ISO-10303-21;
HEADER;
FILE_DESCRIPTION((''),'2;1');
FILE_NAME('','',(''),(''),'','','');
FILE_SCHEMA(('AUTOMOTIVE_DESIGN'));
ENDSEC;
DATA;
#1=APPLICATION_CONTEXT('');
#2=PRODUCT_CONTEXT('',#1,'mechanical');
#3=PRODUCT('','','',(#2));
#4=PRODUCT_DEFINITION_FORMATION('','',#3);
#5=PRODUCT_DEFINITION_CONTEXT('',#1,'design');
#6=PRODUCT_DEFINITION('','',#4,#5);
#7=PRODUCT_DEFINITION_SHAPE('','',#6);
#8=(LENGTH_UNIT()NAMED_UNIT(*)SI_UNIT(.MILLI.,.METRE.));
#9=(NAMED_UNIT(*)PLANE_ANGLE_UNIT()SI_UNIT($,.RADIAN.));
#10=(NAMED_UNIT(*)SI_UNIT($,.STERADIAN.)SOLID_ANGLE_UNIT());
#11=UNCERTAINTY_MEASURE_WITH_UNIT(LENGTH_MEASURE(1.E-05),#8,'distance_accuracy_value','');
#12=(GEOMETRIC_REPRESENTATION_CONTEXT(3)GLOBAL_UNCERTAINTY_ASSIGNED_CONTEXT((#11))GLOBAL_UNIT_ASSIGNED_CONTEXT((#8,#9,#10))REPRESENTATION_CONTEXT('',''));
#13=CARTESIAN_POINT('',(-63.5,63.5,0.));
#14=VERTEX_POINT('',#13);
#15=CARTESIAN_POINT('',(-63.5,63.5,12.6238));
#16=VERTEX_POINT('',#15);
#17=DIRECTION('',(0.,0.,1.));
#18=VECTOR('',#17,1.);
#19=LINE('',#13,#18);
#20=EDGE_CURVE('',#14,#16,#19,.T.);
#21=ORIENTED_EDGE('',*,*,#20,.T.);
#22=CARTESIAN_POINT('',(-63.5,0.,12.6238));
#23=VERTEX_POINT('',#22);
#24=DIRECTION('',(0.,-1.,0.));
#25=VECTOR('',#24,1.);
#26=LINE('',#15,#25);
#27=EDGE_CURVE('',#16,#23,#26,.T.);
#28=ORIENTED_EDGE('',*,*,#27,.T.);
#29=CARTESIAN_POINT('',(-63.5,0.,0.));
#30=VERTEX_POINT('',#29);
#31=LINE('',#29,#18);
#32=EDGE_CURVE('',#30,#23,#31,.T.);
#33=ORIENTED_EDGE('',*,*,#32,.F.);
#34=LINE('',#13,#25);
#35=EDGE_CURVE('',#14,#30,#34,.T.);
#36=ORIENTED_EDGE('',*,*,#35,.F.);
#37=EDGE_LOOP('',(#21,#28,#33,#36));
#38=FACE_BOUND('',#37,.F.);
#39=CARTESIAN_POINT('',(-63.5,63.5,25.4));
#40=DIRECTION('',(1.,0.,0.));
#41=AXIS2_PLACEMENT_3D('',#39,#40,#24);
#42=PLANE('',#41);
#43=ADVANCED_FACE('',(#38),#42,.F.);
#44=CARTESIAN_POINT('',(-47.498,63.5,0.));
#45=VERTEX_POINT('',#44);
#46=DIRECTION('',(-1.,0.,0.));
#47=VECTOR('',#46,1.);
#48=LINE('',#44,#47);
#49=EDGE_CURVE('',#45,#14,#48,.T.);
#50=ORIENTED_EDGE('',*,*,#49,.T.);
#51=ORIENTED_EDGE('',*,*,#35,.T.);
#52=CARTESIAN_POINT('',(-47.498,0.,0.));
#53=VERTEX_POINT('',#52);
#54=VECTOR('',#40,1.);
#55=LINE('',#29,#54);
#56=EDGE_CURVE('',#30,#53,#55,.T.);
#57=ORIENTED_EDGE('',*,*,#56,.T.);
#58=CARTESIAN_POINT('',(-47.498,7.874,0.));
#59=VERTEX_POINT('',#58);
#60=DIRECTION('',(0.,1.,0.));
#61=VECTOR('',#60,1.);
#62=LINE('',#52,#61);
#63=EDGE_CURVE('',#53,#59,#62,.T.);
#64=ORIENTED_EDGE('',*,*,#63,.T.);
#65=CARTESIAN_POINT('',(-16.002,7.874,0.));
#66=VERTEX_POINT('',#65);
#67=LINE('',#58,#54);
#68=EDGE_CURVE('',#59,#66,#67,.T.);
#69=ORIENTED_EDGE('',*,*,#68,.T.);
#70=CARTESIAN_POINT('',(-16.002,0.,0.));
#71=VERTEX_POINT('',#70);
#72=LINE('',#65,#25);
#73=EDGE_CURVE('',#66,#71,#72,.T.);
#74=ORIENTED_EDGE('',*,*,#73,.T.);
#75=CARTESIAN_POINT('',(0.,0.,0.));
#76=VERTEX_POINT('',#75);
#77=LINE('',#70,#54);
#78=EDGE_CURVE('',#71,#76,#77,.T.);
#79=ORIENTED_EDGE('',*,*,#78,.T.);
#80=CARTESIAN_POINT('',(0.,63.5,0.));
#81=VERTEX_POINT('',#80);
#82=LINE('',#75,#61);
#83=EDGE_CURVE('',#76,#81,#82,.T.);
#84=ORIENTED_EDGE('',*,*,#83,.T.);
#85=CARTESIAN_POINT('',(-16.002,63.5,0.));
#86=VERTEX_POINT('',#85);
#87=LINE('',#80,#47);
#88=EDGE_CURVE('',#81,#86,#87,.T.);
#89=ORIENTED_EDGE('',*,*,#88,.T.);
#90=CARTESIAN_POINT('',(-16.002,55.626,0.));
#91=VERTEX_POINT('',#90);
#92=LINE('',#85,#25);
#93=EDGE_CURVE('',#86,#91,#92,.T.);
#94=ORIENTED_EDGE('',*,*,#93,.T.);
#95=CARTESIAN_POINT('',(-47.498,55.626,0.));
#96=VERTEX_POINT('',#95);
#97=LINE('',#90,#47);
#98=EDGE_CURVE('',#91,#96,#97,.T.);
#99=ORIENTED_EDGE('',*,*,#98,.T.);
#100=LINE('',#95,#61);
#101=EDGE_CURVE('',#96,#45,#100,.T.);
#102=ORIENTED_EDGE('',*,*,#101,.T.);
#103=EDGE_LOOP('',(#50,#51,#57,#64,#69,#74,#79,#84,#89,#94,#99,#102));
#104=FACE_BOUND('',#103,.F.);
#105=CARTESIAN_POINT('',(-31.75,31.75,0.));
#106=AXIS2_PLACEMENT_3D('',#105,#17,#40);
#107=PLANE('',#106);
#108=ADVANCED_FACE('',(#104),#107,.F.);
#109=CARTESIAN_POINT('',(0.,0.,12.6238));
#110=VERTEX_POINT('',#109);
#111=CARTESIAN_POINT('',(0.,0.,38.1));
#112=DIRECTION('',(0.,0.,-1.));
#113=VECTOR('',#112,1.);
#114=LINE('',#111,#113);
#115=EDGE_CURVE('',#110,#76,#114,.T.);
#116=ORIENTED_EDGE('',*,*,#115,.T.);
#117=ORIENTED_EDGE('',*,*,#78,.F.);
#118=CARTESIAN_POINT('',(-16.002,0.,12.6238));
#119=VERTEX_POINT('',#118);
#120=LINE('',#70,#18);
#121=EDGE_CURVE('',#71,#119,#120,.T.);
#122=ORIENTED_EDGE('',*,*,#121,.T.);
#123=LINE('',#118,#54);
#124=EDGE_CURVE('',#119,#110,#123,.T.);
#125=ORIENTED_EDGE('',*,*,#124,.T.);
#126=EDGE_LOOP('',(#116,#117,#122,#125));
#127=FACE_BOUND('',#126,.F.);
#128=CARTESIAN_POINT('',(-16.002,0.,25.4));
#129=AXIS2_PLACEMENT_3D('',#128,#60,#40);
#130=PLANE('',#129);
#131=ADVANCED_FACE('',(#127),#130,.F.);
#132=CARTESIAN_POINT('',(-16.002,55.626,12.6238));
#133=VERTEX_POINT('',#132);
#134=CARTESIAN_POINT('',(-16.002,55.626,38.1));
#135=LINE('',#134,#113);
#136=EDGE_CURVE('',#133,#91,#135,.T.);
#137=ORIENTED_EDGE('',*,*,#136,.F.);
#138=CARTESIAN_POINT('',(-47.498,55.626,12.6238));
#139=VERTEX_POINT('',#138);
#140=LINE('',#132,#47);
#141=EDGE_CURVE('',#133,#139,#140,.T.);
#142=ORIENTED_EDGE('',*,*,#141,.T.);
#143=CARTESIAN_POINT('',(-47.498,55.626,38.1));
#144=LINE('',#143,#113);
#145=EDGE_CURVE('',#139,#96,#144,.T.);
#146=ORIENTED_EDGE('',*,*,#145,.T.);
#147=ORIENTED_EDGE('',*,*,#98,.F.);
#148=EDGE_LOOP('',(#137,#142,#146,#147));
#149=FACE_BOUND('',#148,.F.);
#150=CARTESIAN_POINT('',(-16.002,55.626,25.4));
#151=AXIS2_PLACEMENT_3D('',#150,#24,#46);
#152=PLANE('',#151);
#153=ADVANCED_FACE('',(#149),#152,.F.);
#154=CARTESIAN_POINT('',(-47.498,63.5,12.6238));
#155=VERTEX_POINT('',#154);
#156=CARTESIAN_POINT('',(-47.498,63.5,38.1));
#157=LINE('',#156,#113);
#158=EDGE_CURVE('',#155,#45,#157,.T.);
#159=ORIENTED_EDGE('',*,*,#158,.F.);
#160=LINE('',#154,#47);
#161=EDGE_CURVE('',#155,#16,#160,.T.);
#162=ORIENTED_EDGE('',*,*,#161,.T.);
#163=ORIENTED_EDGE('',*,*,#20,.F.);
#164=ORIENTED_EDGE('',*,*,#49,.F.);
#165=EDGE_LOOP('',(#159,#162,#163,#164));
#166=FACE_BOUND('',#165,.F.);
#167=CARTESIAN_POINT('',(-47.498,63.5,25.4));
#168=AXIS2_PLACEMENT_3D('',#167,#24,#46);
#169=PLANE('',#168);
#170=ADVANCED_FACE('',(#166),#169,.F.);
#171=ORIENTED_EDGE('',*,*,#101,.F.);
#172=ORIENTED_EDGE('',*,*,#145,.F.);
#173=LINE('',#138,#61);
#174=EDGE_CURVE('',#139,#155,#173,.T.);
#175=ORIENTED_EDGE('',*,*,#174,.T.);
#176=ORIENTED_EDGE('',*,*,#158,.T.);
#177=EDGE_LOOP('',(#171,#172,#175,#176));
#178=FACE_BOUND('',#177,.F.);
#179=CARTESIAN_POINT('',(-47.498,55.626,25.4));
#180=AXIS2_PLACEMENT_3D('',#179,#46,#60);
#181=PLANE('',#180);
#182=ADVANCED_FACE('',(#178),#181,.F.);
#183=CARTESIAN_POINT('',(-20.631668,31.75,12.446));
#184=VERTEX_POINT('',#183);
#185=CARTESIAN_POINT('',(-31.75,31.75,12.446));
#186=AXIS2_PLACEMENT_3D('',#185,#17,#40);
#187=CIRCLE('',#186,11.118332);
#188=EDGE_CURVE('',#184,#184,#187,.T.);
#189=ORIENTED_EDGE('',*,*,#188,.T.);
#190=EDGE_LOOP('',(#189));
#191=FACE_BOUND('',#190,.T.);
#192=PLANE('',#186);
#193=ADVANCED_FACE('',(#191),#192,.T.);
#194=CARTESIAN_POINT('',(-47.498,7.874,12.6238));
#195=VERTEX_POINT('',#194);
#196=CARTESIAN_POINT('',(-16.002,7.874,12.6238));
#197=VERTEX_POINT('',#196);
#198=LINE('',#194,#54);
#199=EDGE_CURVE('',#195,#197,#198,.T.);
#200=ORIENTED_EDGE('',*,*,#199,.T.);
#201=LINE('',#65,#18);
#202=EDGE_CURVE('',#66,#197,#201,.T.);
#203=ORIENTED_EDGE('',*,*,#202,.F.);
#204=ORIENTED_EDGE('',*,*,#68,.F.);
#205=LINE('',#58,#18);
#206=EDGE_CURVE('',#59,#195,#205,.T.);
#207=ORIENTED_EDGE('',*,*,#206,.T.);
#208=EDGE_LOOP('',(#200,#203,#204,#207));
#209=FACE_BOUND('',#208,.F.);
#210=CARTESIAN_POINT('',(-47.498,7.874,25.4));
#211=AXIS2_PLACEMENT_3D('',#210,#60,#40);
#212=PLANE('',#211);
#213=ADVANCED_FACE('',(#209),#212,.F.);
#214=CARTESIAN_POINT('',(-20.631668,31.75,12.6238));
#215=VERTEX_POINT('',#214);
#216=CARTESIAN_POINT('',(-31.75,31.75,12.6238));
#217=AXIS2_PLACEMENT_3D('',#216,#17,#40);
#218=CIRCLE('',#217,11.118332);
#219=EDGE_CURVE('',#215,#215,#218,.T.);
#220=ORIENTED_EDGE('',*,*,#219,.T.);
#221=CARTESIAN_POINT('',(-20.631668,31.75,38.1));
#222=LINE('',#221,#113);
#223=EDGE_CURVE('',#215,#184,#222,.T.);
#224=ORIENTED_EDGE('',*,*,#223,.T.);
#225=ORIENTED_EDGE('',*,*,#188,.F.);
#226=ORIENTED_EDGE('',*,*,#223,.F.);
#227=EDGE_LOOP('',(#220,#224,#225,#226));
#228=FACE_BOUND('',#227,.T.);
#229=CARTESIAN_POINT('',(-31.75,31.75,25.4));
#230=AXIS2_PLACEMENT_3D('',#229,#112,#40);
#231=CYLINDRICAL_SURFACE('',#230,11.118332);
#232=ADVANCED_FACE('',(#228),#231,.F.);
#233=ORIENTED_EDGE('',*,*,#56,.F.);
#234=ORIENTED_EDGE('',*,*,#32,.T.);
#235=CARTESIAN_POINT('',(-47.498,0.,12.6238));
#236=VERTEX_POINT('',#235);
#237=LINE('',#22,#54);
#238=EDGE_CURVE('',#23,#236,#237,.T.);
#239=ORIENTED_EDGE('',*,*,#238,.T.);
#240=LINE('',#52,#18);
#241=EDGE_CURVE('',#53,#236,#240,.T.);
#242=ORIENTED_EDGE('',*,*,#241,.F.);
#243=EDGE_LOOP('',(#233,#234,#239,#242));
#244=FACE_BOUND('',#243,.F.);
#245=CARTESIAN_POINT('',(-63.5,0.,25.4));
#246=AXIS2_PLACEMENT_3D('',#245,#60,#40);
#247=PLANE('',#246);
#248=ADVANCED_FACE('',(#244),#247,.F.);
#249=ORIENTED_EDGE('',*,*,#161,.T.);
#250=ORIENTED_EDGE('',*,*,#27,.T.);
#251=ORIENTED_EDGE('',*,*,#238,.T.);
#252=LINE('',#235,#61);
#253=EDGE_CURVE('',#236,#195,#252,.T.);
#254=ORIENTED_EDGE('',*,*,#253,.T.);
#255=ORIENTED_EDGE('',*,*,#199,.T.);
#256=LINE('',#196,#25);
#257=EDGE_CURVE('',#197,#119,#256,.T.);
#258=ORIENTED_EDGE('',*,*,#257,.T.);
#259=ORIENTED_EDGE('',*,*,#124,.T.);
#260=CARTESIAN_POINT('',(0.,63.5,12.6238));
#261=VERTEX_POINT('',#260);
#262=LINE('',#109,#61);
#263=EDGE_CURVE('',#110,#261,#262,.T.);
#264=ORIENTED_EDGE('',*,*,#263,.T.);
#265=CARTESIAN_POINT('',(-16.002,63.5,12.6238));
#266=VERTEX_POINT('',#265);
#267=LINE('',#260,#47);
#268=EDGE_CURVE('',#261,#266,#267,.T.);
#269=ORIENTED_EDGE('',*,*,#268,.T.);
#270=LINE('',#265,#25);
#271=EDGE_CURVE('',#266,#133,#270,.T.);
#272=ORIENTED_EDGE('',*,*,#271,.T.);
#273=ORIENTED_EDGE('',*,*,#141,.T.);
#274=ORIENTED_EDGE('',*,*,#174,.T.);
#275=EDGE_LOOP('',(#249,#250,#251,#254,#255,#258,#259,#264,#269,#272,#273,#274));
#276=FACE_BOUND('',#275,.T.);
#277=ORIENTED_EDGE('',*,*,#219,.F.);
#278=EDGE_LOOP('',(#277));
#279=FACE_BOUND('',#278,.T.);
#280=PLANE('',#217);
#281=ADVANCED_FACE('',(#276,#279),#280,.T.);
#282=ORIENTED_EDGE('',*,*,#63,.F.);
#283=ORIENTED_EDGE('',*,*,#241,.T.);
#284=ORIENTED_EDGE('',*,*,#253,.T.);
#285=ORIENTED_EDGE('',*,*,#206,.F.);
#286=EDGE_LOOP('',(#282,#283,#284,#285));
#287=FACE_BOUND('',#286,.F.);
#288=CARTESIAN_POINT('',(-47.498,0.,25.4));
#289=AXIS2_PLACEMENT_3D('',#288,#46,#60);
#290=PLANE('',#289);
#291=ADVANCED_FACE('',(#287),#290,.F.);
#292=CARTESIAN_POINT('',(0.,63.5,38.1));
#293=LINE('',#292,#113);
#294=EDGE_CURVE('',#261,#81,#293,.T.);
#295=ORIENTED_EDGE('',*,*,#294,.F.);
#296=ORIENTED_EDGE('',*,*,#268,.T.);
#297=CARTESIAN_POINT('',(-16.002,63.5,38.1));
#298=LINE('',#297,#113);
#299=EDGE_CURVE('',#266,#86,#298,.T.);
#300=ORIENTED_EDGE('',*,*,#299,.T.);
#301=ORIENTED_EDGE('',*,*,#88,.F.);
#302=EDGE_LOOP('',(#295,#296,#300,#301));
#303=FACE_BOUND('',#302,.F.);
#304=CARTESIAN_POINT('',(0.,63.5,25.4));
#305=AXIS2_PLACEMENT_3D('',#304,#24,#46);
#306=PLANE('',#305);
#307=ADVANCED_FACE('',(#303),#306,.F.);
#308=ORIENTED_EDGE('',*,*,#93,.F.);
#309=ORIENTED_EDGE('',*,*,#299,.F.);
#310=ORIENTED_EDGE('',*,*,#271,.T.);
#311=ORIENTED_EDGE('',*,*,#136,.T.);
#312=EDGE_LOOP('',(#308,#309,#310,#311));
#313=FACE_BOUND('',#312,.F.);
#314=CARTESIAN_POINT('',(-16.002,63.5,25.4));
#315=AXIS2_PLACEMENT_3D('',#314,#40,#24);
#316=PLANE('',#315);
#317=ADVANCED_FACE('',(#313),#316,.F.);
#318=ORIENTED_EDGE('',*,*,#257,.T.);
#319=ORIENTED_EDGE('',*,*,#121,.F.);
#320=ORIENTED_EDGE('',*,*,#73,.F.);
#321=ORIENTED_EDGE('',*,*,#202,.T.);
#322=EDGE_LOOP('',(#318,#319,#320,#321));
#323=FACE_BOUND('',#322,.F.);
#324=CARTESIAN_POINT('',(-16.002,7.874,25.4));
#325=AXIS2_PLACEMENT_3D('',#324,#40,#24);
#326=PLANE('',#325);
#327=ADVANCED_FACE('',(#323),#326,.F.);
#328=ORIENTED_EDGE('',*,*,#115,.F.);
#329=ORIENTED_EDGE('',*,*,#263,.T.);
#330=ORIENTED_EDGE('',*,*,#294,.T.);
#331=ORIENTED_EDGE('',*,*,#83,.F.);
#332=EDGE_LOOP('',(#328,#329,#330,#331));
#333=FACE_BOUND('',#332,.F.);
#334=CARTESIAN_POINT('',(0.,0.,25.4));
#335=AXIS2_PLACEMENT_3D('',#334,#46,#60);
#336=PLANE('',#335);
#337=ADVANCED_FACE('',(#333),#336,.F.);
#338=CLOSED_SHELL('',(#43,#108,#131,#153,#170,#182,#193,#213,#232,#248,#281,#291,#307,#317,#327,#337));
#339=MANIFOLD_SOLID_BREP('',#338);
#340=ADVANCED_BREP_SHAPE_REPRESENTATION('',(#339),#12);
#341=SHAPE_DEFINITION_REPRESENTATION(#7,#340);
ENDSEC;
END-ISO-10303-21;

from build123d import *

# Parameters (mm, degrees)
F0_R     = 11.1183318615
F1_DEPTH = 25.4
F2_DEPTH = 12.7
F3_DEPTH = 12.7
F4_DEPTH = 12.7762
F5_DEPTH = 0.508
F6_DEPTH = 11.938


with BuildPart() as f1:
    # F0 (on Top) → F1 (new body)
    with BuildSketch(Plane.XY):
        Polygon((-47.498, 63.5), (-63.5, 63.5), (-63.5, 0), (-47.498, 0), (-47.498, 7.874), (-16.002, 7.874), (-16.002, 0), (0, 0), (0, 63.5), (-16.002, 63.5), (-16.002, 55.626), (-47.498, 55.626), align=None)
        with Locations((-31.75, 31.75)):
            Circle(F0_R, mode=Mode.SUBTRACT)
    extrude(amount=F1_DEPTH)

    # F2 (add): a face of the model
    f2_faces = [f1.faces().sort_by_distance(p)[0] for p in [
        (-55.499, 62.6019743879, 25.4),
    ]]
    extrude(f2_faces, amount=F2_DEPTH)

    # F3 (cut): a face of the model
    f3_faces = [f1.faces().sort_by_distance(p)[0] for p in [
        (-55.499, 62.6019743879, 38.1),
    ]]
    extrude(f3_faces, amount=-F3_DEPTH, mode=Mode.SUBTRACT)

    # F4 (cut): a face of the model
    f4_faces = [f1.faces().sort_by_distance(p)[0] for p in [
        (-55.499, 62.6019743879, 25.4),
    ]]
    extrude(f4_faces, amount=-F4_DEPTH, mode=Mode.SUBTRACT)

    # F0 (on Top) → F5 (join)
    with BuildSketch(Plane.XY):
        with Locations((-31.75, 31.75)):
            Circle(F0_R)
    extrude(amount=F5_DEPTH)

    # F6 (add): a face of the model
    f6_faces = [f1.faces().sort_by_distance(p)[0] for p in [
        (-31.75, 31.75, 0.508),
    ]]
    extrude(f6_faces, amount=F6_DEPTH)


solid = f1.part
